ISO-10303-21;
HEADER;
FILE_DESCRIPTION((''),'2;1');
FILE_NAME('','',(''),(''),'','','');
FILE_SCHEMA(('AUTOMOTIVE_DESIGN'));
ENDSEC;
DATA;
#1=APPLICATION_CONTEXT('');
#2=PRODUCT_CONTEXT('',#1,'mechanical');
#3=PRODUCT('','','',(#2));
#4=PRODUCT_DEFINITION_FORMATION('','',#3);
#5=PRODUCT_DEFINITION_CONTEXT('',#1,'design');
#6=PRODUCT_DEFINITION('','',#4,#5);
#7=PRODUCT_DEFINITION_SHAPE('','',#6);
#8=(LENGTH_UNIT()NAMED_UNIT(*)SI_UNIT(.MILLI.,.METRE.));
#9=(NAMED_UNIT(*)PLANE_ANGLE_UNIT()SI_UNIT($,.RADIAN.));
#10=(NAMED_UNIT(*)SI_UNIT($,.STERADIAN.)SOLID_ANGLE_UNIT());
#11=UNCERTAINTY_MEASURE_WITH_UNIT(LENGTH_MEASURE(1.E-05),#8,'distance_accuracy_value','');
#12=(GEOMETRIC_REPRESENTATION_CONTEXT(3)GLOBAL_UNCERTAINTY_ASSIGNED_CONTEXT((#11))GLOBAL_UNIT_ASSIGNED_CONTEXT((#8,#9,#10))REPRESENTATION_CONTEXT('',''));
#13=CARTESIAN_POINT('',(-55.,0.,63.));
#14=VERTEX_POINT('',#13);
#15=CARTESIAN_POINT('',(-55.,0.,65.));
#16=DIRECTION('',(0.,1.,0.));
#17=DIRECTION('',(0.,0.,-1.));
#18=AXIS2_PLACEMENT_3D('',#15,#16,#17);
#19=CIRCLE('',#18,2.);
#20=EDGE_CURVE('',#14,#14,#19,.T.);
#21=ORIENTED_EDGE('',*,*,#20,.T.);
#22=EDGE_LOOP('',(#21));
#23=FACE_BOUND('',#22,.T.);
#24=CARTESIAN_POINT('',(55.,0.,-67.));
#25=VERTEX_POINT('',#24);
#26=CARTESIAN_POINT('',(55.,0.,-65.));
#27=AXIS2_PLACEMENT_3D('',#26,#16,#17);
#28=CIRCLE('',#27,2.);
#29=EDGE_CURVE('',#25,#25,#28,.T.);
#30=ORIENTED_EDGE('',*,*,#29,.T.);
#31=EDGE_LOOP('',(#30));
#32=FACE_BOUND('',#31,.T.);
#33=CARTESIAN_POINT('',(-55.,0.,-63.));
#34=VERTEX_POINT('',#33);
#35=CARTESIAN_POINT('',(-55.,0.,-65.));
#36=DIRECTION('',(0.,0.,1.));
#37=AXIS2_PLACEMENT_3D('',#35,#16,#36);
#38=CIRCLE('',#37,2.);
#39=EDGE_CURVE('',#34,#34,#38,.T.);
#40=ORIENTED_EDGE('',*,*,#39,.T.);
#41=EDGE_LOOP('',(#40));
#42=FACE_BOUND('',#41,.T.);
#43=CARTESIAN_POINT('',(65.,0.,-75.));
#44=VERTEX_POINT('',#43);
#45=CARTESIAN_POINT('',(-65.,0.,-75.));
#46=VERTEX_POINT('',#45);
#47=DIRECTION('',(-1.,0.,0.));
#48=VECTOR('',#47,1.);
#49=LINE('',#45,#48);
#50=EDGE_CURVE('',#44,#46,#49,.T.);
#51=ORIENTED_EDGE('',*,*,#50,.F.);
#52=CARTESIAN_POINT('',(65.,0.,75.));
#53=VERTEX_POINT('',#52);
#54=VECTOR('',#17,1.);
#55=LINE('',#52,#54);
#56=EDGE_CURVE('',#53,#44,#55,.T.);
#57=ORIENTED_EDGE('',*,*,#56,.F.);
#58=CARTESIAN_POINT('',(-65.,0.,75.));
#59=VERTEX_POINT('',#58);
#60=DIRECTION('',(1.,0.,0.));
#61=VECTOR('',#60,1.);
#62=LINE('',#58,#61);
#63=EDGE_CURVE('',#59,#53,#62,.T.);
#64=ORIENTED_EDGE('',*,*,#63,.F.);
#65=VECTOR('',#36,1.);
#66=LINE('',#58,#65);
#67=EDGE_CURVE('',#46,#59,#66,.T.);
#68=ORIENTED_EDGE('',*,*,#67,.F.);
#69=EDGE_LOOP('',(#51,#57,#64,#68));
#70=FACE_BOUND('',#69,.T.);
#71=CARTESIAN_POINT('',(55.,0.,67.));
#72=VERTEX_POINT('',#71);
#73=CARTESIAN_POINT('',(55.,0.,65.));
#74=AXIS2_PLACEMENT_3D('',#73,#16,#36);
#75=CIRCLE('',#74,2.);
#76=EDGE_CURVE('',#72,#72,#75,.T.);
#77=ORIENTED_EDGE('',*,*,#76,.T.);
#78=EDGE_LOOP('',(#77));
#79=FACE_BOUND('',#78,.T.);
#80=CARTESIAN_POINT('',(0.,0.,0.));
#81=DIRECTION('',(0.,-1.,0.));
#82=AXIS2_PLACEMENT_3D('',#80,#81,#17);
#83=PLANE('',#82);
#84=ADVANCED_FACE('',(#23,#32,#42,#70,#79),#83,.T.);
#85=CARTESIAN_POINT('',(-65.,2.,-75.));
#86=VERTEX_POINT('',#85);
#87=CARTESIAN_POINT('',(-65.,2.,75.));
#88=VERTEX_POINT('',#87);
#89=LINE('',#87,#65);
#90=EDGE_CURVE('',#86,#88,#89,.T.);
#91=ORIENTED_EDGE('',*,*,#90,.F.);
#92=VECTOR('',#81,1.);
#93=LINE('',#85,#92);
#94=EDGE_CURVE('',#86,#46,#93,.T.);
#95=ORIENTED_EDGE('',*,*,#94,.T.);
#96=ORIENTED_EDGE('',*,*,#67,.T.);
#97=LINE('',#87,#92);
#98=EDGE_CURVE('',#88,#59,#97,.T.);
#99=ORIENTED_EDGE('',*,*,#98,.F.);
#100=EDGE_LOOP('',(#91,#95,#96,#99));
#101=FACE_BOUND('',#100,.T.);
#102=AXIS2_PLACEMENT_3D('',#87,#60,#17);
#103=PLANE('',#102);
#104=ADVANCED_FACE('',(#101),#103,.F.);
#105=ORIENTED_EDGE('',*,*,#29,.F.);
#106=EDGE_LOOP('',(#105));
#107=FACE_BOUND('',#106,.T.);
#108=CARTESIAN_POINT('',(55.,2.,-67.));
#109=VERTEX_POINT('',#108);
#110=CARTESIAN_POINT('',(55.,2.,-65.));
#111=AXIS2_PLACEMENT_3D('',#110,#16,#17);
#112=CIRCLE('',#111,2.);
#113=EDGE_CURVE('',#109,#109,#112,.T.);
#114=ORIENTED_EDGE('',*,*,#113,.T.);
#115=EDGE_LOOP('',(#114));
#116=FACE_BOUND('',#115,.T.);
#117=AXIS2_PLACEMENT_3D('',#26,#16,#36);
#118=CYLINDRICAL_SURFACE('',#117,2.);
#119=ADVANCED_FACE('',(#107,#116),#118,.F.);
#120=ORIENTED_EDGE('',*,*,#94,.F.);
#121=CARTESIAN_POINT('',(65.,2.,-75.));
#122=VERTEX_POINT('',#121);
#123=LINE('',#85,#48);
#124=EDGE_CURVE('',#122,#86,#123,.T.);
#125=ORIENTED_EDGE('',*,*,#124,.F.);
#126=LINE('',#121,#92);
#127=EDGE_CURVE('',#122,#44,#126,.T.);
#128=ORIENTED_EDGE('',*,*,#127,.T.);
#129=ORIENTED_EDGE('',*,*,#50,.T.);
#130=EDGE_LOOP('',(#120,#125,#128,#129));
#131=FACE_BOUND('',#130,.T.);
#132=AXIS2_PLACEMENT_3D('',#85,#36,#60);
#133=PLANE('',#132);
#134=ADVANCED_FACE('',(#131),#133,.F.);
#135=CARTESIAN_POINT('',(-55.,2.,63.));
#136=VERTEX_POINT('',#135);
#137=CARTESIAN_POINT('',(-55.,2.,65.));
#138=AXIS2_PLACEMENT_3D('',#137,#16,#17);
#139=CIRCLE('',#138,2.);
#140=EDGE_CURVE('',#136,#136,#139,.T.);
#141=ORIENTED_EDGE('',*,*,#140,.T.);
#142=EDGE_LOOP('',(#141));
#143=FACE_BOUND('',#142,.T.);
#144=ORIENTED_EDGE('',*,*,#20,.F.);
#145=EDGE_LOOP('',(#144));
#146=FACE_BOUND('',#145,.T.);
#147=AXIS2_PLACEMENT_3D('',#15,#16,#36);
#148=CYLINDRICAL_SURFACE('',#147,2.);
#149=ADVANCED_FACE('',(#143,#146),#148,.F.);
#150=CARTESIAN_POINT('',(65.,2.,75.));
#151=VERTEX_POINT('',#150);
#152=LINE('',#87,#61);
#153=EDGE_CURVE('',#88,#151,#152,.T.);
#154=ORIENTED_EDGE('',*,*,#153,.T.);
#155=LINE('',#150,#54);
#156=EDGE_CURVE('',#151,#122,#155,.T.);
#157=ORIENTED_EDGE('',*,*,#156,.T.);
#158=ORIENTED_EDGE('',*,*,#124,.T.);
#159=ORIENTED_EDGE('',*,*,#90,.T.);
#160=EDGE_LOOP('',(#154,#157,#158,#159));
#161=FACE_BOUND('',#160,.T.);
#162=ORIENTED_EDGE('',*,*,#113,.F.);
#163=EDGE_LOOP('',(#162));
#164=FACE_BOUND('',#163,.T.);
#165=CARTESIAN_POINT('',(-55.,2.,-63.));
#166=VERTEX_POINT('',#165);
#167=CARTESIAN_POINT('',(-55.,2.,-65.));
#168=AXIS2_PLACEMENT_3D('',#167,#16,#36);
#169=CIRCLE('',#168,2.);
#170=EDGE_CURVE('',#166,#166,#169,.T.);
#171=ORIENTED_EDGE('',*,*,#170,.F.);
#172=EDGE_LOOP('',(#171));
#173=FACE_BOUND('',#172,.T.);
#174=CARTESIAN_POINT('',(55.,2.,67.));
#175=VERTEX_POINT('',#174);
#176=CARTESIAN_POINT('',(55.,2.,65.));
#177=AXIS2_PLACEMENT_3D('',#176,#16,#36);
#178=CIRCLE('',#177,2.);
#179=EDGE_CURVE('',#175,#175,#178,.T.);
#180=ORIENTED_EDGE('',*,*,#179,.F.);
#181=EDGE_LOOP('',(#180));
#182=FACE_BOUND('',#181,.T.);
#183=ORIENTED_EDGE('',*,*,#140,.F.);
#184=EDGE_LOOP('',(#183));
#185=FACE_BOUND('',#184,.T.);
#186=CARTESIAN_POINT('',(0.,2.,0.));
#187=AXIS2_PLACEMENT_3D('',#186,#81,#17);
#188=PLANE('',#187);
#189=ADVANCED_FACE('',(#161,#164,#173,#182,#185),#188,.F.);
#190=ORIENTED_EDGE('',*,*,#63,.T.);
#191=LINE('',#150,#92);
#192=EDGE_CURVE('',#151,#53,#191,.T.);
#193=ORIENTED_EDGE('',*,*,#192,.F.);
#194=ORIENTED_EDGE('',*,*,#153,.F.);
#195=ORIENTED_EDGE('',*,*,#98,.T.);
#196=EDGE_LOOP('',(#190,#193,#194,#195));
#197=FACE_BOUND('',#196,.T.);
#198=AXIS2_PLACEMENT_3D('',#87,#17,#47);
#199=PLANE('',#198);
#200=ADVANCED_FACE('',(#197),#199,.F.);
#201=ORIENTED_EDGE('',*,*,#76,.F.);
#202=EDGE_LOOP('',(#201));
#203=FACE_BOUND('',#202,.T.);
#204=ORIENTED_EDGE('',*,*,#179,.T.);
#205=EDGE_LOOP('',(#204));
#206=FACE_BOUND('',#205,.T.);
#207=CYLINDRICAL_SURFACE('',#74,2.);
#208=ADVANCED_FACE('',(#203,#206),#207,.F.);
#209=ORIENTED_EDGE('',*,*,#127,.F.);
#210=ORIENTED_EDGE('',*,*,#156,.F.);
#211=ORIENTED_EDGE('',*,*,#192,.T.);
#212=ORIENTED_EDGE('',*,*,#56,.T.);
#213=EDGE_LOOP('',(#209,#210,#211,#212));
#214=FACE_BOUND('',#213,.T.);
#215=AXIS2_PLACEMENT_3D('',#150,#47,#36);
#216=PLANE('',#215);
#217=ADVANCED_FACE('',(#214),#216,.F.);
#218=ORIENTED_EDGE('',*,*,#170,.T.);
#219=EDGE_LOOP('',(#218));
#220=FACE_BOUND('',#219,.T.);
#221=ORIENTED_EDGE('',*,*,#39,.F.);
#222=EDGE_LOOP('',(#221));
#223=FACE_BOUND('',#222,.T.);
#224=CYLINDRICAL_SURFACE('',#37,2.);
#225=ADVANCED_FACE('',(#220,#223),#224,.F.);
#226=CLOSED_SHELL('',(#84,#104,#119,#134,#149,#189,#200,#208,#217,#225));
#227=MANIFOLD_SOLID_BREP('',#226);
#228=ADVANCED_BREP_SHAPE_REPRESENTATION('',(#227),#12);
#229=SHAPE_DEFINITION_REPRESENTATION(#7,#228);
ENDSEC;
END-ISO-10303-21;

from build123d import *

# Parameters (mm, degrees)
SKETCH1_W           = 130
SKETCH1_H           = 150
BOSS_EXTRUDE1_DEPTH = 2
SKETCH2_R           = 2
CUT_EXTRUDE1_DEPTH  = 3


with BuildPart() as part:
    # Sketch1 → Boss-Extrude1 (new body)
    with BuildSketch(Plane(origin=(0, 0, 0), x_dir=(1, 0, 0), z_dir=(0, 1, 0))):
        Rectangle(SKETCH1_W, SKETCH1_H)
    extrude(amount=BOSS_EXTRUDE1_DEPTH)

    # Sketch2 → Cut-Extrude1 (cut, through all)
    with BuildSketch(Plane(origin=(0, 2, 0), x_dir=(1, 0, 0), z_dir=(0, 1, 0))):
        with Locations((-55, 65)):
            Circle(SKETCH2_R)
        with Locations((55, 65)):
            Circle(SKETCH2_R)
        with Locations((55, -65)):
            Circle(SKETCH2_R)
        with Locations((-55, -65)):
            Circle(SKETCH2_R)
    extrude(amount=-CUT_EXTRUDE1_DEPTH, mode=Mode.SUBTRACT)


solid = part.part
